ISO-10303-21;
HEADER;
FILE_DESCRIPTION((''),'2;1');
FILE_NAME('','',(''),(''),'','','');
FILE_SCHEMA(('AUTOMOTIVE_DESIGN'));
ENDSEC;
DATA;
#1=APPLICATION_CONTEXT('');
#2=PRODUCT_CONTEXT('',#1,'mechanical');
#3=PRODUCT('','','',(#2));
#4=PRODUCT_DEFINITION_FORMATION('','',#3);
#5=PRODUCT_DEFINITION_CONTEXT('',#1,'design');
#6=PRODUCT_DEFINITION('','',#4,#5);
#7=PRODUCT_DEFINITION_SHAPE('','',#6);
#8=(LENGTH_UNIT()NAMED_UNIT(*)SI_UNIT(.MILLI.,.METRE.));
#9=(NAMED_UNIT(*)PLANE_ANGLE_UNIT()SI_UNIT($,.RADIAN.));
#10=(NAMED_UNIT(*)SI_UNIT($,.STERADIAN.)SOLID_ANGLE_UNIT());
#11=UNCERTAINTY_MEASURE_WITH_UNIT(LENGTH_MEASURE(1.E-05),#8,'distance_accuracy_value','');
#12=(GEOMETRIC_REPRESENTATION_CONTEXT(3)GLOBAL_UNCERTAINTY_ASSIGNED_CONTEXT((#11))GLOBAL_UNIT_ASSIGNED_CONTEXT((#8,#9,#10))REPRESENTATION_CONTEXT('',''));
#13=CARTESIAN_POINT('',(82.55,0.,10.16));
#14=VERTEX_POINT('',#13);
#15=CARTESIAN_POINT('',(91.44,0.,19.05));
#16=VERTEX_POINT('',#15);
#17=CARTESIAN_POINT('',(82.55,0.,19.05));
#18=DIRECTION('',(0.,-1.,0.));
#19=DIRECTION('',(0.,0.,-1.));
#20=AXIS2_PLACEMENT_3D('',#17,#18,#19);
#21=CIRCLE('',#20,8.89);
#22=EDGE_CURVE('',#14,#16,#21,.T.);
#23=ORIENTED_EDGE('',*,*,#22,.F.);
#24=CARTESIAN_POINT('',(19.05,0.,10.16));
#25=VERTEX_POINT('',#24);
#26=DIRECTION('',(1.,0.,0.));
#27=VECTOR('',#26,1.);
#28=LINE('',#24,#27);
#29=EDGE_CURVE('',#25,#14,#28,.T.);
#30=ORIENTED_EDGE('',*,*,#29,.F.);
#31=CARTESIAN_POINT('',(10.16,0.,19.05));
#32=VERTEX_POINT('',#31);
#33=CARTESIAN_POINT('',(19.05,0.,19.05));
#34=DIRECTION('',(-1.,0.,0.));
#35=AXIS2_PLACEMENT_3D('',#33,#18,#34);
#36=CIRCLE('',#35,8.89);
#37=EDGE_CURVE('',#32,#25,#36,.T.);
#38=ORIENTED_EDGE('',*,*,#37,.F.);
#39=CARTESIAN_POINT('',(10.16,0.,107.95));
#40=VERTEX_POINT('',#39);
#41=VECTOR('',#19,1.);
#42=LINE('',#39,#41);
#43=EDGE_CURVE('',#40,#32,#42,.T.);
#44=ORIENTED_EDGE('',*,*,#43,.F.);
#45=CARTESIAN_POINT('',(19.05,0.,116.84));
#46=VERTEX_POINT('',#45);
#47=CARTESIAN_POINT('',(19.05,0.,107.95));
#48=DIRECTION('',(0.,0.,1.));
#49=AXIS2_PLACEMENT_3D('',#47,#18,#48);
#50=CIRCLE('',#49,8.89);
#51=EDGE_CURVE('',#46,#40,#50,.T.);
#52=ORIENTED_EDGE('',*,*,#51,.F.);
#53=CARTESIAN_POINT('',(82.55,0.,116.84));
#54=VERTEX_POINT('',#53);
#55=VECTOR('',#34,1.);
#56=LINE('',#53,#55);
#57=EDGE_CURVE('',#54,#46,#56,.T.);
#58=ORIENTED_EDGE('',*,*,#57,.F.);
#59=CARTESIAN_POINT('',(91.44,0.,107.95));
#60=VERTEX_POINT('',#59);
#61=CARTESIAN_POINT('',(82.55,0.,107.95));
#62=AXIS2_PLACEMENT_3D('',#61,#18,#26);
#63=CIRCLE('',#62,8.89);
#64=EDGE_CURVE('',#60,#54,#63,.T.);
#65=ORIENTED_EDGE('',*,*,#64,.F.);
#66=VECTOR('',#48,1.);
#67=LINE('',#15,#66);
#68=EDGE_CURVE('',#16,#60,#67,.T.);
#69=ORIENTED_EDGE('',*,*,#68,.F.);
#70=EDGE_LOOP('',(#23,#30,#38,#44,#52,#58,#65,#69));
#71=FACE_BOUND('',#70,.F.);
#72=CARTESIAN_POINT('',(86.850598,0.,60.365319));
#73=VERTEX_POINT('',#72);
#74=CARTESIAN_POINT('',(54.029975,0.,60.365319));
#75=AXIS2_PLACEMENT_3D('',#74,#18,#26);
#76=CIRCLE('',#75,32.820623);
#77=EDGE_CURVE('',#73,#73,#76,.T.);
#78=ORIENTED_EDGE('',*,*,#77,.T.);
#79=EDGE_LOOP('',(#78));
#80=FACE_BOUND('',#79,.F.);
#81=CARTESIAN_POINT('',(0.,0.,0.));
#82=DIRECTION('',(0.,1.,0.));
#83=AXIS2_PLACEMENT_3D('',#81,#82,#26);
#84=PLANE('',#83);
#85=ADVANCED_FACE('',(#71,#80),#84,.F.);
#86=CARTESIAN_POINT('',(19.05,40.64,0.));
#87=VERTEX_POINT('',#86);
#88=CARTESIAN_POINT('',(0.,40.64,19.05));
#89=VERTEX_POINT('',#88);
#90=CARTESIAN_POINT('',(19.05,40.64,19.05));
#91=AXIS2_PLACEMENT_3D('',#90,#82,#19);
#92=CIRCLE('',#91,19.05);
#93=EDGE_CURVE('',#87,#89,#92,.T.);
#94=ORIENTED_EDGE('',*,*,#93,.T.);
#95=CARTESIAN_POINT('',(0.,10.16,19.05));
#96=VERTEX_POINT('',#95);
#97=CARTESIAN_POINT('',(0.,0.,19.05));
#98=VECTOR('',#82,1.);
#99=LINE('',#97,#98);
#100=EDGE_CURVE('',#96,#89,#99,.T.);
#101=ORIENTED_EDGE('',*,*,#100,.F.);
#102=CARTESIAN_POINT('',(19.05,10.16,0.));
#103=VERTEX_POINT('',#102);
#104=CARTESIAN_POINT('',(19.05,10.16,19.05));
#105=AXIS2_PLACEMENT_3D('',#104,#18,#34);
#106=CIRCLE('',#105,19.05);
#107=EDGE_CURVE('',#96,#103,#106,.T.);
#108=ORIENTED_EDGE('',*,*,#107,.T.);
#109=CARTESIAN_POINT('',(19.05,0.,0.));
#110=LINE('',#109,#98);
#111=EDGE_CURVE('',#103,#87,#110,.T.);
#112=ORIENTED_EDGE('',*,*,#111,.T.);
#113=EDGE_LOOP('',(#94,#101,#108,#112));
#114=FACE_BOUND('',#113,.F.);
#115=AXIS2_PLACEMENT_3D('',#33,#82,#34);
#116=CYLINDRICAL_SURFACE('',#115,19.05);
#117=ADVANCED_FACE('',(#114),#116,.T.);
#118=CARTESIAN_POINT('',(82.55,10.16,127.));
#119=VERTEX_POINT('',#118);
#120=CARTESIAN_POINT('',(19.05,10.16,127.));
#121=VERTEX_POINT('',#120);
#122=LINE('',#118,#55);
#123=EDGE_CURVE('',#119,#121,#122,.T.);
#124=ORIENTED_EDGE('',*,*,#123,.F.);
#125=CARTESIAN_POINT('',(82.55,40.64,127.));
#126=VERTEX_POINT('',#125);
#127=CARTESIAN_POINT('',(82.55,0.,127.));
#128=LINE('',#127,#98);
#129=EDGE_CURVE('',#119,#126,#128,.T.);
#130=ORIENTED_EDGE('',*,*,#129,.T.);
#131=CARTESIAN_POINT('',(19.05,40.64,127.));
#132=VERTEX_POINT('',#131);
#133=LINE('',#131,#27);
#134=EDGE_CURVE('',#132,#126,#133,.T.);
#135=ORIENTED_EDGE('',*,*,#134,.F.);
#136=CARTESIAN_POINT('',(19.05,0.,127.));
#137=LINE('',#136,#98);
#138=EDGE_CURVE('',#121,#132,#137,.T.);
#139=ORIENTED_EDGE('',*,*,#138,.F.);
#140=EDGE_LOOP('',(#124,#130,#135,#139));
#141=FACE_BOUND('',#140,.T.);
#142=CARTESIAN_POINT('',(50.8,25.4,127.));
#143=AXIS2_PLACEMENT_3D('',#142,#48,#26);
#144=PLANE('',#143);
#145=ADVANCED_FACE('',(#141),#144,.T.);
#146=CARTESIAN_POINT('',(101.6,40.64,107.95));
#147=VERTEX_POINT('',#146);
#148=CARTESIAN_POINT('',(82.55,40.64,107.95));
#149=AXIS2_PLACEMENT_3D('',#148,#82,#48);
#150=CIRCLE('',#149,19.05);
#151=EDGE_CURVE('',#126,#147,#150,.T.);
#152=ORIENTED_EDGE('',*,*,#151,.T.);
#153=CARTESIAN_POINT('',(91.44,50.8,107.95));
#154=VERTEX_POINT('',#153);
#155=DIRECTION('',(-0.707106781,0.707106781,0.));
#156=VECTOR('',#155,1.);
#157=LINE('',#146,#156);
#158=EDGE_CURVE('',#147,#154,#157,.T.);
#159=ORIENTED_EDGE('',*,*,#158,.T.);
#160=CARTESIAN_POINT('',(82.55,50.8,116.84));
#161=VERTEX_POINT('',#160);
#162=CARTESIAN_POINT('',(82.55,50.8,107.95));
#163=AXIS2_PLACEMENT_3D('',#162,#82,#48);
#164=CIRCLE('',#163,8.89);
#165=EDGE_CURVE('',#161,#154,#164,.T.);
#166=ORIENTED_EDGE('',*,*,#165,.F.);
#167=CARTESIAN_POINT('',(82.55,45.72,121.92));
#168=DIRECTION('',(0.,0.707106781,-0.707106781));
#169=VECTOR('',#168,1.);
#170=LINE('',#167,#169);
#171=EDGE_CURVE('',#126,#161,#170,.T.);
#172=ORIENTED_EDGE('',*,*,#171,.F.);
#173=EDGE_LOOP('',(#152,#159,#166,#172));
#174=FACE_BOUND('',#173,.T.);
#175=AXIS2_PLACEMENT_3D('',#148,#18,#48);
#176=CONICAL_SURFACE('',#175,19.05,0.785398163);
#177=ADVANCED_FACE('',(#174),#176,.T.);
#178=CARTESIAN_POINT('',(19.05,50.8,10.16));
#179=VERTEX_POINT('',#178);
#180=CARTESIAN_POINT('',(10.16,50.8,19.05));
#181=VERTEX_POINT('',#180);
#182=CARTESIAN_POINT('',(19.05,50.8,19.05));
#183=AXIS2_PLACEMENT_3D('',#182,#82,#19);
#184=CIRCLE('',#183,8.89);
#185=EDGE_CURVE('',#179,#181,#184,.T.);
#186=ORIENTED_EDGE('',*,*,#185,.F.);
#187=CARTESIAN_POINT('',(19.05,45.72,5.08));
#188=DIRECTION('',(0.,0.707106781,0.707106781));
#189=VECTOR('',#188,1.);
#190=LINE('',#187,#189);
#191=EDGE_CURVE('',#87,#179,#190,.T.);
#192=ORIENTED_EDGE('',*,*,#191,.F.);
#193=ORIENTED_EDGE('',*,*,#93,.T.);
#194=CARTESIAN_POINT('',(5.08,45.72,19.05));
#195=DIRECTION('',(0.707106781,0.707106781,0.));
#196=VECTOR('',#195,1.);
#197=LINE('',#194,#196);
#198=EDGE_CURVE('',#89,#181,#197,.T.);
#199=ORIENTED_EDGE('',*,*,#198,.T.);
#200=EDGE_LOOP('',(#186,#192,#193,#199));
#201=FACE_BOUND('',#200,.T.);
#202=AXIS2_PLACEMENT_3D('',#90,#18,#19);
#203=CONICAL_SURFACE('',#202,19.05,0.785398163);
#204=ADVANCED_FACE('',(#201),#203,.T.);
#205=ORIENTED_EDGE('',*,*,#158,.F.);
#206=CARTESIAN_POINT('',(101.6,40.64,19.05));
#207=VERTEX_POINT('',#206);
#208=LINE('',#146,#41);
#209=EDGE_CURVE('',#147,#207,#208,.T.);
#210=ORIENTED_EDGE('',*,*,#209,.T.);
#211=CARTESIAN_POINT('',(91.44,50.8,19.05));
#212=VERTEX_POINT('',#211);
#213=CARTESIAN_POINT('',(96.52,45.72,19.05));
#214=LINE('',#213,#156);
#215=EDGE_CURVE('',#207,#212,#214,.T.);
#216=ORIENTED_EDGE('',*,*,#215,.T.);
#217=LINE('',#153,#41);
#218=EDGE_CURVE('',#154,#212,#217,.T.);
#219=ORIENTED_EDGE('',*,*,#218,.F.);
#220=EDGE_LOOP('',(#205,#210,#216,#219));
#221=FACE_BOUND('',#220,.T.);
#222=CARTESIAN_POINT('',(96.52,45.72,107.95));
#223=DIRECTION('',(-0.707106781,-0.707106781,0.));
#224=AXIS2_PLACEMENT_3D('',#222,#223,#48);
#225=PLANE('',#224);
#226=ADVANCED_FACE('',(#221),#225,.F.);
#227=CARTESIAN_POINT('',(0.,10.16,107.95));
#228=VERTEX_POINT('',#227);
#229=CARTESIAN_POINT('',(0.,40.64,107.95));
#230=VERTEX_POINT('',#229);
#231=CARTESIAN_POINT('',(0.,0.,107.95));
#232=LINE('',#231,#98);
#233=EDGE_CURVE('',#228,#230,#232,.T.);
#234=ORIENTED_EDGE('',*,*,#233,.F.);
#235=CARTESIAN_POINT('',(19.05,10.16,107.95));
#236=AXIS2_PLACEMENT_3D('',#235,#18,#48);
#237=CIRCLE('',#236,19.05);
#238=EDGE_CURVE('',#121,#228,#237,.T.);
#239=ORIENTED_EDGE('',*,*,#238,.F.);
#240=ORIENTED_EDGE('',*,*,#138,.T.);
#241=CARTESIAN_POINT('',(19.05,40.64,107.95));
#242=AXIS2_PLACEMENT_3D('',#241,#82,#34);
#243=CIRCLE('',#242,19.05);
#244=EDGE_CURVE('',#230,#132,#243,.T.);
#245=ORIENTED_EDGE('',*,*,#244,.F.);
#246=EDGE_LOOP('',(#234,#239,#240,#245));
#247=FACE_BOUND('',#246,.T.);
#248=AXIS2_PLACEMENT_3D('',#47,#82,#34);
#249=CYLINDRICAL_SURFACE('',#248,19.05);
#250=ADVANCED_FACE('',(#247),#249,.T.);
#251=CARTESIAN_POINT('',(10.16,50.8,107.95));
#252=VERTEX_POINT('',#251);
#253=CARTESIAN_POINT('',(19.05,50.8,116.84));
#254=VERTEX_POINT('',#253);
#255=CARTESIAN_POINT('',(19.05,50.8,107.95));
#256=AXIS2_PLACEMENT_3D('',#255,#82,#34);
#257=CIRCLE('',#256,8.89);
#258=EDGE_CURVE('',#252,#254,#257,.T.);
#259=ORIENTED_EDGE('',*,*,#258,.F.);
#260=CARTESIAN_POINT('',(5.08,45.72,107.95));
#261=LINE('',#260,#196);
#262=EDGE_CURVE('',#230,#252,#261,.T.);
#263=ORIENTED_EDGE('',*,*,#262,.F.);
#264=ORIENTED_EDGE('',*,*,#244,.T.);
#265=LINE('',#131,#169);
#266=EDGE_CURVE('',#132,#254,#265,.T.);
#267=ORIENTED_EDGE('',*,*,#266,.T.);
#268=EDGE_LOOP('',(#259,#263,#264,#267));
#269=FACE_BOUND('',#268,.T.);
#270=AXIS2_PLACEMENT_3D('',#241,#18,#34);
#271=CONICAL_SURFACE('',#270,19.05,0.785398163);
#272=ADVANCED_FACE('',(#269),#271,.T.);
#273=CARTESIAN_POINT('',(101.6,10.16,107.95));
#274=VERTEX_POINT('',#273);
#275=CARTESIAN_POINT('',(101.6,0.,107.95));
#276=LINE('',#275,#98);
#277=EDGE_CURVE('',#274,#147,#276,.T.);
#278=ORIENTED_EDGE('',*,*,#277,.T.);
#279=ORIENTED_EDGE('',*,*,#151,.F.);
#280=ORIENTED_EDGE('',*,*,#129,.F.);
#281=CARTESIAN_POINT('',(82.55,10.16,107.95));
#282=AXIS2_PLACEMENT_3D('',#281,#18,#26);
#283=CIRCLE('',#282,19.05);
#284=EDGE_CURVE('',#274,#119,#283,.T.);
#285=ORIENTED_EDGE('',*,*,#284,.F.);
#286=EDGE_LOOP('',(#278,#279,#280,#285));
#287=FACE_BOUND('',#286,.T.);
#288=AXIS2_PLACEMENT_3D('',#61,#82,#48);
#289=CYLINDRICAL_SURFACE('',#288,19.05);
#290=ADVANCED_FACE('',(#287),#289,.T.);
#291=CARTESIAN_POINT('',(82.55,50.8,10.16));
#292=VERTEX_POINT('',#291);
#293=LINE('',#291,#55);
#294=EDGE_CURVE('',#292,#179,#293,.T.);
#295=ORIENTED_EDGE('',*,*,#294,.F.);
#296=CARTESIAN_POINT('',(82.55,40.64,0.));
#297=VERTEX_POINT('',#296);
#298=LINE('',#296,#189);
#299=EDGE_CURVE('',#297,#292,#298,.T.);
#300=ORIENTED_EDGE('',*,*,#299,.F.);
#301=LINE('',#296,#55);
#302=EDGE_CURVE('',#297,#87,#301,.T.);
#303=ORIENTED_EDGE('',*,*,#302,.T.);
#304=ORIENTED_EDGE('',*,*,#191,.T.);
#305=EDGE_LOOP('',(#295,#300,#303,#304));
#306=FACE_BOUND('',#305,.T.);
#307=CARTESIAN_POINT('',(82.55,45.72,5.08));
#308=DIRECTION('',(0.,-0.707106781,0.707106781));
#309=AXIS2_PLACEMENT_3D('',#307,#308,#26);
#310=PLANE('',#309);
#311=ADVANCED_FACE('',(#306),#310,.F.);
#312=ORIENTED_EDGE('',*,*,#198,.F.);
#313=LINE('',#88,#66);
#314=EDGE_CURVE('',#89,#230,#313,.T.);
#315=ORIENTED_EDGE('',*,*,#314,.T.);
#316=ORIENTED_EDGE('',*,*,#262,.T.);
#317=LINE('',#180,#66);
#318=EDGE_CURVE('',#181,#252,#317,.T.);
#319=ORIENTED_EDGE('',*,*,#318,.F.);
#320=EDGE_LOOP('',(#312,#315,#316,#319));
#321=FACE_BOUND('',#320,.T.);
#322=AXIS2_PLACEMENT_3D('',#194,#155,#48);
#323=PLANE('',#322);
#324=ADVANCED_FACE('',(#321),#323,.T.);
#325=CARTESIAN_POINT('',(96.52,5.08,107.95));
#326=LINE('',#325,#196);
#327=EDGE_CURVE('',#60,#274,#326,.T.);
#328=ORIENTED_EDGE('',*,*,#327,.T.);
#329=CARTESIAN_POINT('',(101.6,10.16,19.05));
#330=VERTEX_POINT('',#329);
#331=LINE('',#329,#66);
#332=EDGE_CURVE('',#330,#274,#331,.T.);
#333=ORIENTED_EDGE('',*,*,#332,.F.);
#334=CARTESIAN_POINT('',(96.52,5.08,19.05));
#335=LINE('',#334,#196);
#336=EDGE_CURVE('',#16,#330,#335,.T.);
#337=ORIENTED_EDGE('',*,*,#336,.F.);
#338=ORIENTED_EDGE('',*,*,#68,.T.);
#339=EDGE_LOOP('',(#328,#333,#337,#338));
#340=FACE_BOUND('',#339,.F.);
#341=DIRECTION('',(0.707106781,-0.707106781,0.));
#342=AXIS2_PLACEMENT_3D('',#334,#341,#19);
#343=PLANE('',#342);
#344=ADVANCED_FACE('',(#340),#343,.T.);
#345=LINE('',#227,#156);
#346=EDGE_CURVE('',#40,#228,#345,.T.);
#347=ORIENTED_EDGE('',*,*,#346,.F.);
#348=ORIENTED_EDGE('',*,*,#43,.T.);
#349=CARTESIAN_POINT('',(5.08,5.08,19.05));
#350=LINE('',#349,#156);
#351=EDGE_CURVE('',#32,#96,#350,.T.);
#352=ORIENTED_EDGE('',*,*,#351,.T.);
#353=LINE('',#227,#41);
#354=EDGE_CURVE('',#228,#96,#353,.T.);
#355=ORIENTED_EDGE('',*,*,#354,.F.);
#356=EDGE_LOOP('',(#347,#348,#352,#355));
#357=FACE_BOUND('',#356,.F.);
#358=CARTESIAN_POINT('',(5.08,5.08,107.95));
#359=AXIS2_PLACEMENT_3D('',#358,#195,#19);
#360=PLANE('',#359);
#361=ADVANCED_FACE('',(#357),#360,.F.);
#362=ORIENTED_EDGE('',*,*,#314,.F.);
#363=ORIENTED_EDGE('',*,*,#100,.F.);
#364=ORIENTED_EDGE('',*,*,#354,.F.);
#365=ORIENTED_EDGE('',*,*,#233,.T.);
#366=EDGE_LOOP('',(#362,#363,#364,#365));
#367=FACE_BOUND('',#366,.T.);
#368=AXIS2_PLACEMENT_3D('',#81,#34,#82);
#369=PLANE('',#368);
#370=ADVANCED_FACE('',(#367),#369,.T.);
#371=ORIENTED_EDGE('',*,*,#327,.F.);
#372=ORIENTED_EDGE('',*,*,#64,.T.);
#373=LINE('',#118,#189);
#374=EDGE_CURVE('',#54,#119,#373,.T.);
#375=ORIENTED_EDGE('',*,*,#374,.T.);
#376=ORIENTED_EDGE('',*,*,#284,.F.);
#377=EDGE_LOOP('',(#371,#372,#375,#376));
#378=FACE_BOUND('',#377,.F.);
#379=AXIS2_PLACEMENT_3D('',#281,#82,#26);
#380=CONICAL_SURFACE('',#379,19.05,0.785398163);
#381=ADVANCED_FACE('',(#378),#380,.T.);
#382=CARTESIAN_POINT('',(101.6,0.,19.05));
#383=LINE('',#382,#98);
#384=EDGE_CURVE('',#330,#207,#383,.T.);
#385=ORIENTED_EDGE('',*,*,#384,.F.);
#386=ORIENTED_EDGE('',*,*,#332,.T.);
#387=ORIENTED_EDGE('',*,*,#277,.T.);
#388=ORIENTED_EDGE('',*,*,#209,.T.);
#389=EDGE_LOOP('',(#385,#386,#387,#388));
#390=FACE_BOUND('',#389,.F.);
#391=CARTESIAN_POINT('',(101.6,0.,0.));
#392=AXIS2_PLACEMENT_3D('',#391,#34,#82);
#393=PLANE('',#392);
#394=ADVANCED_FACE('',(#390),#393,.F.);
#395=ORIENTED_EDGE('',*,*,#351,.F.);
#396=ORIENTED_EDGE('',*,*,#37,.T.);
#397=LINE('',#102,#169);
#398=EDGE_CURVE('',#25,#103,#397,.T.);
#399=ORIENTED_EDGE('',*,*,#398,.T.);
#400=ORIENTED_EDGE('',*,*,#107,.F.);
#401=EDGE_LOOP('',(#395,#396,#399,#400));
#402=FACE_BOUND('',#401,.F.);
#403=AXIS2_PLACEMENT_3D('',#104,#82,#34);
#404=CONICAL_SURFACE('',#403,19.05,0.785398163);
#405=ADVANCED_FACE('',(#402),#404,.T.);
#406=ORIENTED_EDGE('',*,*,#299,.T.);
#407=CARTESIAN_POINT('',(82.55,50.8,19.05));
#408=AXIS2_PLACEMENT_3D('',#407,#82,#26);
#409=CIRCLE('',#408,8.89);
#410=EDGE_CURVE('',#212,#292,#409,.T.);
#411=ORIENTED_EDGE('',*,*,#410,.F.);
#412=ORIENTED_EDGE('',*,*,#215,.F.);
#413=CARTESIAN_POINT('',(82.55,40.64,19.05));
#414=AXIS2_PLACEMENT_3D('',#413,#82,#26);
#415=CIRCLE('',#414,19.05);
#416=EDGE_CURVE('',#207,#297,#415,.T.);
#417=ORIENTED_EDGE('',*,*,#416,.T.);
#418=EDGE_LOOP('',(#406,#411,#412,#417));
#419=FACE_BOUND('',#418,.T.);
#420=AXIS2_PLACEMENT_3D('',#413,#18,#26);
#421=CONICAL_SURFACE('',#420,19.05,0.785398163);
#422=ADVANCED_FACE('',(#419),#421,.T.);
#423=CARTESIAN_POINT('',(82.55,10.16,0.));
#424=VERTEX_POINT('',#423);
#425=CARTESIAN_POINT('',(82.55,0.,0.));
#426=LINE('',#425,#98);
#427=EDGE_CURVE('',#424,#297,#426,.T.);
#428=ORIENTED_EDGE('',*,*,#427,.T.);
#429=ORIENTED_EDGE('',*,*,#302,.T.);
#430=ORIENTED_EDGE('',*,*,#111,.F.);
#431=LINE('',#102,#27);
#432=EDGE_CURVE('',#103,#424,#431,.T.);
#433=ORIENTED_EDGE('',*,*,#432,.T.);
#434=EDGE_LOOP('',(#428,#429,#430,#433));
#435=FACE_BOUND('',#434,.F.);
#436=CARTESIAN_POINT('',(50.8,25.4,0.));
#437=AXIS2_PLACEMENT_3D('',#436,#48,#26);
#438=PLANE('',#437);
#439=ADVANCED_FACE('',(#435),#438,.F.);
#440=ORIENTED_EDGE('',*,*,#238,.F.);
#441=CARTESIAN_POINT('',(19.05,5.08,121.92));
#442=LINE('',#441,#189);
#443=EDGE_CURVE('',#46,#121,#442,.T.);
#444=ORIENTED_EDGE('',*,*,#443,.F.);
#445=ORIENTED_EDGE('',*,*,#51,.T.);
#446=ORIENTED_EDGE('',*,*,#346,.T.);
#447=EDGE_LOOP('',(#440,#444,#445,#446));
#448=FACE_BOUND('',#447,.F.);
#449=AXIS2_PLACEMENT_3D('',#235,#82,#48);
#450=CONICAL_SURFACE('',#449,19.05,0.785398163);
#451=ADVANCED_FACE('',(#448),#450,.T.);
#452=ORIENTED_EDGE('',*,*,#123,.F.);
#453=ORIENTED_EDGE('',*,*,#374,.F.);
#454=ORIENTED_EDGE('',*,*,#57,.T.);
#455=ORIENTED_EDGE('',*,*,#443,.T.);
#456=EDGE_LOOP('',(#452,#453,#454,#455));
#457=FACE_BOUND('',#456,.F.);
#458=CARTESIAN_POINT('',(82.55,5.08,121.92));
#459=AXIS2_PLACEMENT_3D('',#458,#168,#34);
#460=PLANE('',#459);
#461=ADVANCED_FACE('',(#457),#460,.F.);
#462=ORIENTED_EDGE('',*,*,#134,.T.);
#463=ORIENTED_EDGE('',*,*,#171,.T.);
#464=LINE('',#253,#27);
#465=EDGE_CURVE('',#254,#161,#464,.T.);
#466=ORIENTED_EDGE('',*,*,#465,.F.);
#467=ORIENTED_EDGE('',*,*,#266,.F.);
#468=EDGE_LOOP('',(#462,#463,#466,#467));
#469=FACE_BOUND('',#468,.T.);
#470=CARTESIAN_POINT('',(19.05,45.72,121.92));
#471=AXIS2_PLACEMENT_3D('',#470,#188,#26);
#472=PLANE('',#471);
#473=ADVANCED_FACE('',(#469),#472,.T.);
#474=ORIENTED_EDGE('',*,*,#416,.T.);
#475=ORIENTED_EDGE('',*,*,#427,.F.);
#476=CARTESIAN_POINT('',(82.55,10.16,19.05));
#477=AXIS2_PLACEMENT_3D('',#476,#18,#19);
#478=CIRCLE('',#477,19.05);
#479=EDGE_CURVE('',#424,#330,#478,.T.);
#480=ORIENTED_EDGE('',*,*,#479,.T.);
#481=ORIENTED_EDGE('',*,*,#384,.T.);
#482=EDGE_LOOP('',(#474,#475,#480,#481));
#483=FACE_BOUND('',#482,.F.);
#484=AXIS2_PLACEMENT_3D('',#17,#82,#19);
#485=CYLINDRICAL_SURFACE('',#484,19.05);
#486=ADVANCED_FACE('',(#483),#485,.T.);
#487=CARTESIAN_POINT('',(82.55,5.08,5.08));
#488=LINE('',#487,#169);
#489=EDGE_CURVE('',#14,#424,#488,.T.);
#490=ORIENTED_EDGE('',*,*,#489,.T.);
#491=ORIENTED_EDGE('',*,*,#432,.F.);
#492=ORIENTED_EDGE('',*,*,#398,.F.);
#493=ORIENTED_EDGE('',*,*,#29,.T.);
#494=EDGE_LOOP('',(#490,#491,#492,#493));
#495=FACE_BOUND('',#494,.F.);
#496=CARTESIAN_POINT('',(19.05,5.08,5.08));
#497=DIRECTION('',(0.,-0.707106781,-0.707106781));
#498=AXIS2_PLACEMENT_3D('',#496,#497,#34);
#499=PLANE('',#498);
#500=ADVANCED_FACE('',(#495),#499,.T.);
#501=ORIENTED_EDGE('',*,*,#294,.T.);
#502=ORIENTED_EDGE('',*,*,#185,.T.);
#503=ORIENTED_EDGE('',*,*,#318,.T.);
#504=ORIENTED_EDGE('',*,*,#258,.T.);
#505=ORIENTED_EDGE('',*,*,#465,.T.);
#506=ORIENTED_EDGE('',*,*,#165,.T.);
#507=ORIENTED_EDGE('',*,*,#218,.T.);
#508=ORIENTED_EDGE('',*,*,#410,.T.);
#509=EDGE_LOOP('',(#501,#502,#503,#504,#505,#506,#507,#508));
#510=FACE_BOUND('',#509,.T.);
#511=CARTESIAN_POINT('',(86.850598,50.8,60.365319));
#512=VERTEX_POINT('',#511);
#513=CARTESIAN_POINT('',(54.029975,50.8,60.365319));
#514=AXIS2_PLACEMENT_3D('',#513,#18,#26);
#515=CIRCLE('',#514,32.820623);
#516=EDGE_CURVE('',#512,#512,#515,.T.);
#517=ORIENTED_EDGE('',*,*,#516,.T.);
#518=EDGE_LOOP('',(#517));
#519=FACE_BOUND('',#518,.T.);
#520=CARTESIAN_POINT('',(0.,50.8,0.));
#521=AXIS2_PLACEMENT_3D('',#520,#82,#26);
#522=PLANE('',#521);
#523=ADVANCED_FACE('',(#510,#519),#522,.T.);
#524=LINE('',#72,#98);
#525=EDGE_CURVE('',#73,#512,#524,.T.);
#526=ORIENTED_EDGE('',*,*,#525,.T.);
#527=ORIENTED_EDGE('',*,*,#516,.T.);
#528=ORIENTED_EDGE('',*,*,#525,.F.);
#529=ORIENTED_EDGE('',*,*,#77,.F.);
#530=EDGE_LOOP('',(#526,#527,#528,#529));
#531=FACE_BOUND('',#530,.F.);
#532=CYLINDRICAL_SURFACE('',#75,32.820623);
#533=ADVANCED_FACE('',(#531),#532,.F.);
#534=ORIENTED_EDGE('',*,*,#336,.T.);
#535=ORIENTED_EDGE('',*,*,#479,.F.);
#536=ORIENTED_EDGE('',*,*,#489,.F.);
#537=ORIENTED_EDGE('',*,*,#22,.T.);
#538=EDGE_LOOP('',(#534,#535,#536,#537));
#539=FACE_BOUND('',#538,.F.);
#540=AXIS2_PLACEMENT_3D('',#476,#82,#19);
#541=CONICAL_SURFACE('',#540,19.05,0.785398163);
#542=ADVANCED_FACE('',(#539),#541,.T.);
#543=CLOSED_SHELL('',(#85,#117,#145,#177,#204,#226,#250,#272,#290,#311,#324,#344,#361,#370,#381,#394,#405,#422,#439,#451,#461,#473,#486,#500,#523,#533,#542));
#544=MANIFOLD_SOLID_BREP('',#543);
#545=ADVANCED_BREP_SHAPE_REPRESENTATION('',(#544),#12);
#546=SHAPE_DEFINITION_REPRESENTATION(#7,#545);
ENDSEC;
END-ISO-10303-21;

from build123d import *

# Parameters (mm, degrees)
F0_W     = 101.6
F0_H     = 50.8
F1_DEPTH = 127
F2_R     = 32.820623
F3_DEPTH = 120.243898
F4_R     = 19.05
F5_SIZE2 = 10.16
F5_SIZE  = 10.16


with BuildPart() as f1:
    # F0 (on Top) → F1 (new body)
    with BuildSketch(Plane.XY):
        with Locations((50.8, 25.4)):
            Rectangle(F0_W, F0_H)
    extrude(amount=F1_DEPTH)

    # F2 (on face) → F3 (cut)
    with BuildSketch(Plane.XZ):
        with Locations((54.029975, 60.365319)):
            Circle(F2_R)
    extrude(amount=-F3_DEPTH, mode=Mode.SUBTRACT)

    # F4
    f4_edges = [f1.edges().sort_by_distance(p)[0] for p in [
        (101.6, 25.4, 127),
        (0, 25.4, 127),
        (101.6, 25.4, 0),
        (0, 25.4, 0),
    ]]
    fillet(f4_edges, radius=F4_R)

    # F5
    f5_edges = [f1.edges().sort_by_distance(p)[0] for p in [
        (101.6, 0, 63.5),
        (0, 50.8, 63.5),
    ]]
    chamfer(f5_edges, length=F5_SIZE, length2=F5_SIZE2)


solid = f1.part
